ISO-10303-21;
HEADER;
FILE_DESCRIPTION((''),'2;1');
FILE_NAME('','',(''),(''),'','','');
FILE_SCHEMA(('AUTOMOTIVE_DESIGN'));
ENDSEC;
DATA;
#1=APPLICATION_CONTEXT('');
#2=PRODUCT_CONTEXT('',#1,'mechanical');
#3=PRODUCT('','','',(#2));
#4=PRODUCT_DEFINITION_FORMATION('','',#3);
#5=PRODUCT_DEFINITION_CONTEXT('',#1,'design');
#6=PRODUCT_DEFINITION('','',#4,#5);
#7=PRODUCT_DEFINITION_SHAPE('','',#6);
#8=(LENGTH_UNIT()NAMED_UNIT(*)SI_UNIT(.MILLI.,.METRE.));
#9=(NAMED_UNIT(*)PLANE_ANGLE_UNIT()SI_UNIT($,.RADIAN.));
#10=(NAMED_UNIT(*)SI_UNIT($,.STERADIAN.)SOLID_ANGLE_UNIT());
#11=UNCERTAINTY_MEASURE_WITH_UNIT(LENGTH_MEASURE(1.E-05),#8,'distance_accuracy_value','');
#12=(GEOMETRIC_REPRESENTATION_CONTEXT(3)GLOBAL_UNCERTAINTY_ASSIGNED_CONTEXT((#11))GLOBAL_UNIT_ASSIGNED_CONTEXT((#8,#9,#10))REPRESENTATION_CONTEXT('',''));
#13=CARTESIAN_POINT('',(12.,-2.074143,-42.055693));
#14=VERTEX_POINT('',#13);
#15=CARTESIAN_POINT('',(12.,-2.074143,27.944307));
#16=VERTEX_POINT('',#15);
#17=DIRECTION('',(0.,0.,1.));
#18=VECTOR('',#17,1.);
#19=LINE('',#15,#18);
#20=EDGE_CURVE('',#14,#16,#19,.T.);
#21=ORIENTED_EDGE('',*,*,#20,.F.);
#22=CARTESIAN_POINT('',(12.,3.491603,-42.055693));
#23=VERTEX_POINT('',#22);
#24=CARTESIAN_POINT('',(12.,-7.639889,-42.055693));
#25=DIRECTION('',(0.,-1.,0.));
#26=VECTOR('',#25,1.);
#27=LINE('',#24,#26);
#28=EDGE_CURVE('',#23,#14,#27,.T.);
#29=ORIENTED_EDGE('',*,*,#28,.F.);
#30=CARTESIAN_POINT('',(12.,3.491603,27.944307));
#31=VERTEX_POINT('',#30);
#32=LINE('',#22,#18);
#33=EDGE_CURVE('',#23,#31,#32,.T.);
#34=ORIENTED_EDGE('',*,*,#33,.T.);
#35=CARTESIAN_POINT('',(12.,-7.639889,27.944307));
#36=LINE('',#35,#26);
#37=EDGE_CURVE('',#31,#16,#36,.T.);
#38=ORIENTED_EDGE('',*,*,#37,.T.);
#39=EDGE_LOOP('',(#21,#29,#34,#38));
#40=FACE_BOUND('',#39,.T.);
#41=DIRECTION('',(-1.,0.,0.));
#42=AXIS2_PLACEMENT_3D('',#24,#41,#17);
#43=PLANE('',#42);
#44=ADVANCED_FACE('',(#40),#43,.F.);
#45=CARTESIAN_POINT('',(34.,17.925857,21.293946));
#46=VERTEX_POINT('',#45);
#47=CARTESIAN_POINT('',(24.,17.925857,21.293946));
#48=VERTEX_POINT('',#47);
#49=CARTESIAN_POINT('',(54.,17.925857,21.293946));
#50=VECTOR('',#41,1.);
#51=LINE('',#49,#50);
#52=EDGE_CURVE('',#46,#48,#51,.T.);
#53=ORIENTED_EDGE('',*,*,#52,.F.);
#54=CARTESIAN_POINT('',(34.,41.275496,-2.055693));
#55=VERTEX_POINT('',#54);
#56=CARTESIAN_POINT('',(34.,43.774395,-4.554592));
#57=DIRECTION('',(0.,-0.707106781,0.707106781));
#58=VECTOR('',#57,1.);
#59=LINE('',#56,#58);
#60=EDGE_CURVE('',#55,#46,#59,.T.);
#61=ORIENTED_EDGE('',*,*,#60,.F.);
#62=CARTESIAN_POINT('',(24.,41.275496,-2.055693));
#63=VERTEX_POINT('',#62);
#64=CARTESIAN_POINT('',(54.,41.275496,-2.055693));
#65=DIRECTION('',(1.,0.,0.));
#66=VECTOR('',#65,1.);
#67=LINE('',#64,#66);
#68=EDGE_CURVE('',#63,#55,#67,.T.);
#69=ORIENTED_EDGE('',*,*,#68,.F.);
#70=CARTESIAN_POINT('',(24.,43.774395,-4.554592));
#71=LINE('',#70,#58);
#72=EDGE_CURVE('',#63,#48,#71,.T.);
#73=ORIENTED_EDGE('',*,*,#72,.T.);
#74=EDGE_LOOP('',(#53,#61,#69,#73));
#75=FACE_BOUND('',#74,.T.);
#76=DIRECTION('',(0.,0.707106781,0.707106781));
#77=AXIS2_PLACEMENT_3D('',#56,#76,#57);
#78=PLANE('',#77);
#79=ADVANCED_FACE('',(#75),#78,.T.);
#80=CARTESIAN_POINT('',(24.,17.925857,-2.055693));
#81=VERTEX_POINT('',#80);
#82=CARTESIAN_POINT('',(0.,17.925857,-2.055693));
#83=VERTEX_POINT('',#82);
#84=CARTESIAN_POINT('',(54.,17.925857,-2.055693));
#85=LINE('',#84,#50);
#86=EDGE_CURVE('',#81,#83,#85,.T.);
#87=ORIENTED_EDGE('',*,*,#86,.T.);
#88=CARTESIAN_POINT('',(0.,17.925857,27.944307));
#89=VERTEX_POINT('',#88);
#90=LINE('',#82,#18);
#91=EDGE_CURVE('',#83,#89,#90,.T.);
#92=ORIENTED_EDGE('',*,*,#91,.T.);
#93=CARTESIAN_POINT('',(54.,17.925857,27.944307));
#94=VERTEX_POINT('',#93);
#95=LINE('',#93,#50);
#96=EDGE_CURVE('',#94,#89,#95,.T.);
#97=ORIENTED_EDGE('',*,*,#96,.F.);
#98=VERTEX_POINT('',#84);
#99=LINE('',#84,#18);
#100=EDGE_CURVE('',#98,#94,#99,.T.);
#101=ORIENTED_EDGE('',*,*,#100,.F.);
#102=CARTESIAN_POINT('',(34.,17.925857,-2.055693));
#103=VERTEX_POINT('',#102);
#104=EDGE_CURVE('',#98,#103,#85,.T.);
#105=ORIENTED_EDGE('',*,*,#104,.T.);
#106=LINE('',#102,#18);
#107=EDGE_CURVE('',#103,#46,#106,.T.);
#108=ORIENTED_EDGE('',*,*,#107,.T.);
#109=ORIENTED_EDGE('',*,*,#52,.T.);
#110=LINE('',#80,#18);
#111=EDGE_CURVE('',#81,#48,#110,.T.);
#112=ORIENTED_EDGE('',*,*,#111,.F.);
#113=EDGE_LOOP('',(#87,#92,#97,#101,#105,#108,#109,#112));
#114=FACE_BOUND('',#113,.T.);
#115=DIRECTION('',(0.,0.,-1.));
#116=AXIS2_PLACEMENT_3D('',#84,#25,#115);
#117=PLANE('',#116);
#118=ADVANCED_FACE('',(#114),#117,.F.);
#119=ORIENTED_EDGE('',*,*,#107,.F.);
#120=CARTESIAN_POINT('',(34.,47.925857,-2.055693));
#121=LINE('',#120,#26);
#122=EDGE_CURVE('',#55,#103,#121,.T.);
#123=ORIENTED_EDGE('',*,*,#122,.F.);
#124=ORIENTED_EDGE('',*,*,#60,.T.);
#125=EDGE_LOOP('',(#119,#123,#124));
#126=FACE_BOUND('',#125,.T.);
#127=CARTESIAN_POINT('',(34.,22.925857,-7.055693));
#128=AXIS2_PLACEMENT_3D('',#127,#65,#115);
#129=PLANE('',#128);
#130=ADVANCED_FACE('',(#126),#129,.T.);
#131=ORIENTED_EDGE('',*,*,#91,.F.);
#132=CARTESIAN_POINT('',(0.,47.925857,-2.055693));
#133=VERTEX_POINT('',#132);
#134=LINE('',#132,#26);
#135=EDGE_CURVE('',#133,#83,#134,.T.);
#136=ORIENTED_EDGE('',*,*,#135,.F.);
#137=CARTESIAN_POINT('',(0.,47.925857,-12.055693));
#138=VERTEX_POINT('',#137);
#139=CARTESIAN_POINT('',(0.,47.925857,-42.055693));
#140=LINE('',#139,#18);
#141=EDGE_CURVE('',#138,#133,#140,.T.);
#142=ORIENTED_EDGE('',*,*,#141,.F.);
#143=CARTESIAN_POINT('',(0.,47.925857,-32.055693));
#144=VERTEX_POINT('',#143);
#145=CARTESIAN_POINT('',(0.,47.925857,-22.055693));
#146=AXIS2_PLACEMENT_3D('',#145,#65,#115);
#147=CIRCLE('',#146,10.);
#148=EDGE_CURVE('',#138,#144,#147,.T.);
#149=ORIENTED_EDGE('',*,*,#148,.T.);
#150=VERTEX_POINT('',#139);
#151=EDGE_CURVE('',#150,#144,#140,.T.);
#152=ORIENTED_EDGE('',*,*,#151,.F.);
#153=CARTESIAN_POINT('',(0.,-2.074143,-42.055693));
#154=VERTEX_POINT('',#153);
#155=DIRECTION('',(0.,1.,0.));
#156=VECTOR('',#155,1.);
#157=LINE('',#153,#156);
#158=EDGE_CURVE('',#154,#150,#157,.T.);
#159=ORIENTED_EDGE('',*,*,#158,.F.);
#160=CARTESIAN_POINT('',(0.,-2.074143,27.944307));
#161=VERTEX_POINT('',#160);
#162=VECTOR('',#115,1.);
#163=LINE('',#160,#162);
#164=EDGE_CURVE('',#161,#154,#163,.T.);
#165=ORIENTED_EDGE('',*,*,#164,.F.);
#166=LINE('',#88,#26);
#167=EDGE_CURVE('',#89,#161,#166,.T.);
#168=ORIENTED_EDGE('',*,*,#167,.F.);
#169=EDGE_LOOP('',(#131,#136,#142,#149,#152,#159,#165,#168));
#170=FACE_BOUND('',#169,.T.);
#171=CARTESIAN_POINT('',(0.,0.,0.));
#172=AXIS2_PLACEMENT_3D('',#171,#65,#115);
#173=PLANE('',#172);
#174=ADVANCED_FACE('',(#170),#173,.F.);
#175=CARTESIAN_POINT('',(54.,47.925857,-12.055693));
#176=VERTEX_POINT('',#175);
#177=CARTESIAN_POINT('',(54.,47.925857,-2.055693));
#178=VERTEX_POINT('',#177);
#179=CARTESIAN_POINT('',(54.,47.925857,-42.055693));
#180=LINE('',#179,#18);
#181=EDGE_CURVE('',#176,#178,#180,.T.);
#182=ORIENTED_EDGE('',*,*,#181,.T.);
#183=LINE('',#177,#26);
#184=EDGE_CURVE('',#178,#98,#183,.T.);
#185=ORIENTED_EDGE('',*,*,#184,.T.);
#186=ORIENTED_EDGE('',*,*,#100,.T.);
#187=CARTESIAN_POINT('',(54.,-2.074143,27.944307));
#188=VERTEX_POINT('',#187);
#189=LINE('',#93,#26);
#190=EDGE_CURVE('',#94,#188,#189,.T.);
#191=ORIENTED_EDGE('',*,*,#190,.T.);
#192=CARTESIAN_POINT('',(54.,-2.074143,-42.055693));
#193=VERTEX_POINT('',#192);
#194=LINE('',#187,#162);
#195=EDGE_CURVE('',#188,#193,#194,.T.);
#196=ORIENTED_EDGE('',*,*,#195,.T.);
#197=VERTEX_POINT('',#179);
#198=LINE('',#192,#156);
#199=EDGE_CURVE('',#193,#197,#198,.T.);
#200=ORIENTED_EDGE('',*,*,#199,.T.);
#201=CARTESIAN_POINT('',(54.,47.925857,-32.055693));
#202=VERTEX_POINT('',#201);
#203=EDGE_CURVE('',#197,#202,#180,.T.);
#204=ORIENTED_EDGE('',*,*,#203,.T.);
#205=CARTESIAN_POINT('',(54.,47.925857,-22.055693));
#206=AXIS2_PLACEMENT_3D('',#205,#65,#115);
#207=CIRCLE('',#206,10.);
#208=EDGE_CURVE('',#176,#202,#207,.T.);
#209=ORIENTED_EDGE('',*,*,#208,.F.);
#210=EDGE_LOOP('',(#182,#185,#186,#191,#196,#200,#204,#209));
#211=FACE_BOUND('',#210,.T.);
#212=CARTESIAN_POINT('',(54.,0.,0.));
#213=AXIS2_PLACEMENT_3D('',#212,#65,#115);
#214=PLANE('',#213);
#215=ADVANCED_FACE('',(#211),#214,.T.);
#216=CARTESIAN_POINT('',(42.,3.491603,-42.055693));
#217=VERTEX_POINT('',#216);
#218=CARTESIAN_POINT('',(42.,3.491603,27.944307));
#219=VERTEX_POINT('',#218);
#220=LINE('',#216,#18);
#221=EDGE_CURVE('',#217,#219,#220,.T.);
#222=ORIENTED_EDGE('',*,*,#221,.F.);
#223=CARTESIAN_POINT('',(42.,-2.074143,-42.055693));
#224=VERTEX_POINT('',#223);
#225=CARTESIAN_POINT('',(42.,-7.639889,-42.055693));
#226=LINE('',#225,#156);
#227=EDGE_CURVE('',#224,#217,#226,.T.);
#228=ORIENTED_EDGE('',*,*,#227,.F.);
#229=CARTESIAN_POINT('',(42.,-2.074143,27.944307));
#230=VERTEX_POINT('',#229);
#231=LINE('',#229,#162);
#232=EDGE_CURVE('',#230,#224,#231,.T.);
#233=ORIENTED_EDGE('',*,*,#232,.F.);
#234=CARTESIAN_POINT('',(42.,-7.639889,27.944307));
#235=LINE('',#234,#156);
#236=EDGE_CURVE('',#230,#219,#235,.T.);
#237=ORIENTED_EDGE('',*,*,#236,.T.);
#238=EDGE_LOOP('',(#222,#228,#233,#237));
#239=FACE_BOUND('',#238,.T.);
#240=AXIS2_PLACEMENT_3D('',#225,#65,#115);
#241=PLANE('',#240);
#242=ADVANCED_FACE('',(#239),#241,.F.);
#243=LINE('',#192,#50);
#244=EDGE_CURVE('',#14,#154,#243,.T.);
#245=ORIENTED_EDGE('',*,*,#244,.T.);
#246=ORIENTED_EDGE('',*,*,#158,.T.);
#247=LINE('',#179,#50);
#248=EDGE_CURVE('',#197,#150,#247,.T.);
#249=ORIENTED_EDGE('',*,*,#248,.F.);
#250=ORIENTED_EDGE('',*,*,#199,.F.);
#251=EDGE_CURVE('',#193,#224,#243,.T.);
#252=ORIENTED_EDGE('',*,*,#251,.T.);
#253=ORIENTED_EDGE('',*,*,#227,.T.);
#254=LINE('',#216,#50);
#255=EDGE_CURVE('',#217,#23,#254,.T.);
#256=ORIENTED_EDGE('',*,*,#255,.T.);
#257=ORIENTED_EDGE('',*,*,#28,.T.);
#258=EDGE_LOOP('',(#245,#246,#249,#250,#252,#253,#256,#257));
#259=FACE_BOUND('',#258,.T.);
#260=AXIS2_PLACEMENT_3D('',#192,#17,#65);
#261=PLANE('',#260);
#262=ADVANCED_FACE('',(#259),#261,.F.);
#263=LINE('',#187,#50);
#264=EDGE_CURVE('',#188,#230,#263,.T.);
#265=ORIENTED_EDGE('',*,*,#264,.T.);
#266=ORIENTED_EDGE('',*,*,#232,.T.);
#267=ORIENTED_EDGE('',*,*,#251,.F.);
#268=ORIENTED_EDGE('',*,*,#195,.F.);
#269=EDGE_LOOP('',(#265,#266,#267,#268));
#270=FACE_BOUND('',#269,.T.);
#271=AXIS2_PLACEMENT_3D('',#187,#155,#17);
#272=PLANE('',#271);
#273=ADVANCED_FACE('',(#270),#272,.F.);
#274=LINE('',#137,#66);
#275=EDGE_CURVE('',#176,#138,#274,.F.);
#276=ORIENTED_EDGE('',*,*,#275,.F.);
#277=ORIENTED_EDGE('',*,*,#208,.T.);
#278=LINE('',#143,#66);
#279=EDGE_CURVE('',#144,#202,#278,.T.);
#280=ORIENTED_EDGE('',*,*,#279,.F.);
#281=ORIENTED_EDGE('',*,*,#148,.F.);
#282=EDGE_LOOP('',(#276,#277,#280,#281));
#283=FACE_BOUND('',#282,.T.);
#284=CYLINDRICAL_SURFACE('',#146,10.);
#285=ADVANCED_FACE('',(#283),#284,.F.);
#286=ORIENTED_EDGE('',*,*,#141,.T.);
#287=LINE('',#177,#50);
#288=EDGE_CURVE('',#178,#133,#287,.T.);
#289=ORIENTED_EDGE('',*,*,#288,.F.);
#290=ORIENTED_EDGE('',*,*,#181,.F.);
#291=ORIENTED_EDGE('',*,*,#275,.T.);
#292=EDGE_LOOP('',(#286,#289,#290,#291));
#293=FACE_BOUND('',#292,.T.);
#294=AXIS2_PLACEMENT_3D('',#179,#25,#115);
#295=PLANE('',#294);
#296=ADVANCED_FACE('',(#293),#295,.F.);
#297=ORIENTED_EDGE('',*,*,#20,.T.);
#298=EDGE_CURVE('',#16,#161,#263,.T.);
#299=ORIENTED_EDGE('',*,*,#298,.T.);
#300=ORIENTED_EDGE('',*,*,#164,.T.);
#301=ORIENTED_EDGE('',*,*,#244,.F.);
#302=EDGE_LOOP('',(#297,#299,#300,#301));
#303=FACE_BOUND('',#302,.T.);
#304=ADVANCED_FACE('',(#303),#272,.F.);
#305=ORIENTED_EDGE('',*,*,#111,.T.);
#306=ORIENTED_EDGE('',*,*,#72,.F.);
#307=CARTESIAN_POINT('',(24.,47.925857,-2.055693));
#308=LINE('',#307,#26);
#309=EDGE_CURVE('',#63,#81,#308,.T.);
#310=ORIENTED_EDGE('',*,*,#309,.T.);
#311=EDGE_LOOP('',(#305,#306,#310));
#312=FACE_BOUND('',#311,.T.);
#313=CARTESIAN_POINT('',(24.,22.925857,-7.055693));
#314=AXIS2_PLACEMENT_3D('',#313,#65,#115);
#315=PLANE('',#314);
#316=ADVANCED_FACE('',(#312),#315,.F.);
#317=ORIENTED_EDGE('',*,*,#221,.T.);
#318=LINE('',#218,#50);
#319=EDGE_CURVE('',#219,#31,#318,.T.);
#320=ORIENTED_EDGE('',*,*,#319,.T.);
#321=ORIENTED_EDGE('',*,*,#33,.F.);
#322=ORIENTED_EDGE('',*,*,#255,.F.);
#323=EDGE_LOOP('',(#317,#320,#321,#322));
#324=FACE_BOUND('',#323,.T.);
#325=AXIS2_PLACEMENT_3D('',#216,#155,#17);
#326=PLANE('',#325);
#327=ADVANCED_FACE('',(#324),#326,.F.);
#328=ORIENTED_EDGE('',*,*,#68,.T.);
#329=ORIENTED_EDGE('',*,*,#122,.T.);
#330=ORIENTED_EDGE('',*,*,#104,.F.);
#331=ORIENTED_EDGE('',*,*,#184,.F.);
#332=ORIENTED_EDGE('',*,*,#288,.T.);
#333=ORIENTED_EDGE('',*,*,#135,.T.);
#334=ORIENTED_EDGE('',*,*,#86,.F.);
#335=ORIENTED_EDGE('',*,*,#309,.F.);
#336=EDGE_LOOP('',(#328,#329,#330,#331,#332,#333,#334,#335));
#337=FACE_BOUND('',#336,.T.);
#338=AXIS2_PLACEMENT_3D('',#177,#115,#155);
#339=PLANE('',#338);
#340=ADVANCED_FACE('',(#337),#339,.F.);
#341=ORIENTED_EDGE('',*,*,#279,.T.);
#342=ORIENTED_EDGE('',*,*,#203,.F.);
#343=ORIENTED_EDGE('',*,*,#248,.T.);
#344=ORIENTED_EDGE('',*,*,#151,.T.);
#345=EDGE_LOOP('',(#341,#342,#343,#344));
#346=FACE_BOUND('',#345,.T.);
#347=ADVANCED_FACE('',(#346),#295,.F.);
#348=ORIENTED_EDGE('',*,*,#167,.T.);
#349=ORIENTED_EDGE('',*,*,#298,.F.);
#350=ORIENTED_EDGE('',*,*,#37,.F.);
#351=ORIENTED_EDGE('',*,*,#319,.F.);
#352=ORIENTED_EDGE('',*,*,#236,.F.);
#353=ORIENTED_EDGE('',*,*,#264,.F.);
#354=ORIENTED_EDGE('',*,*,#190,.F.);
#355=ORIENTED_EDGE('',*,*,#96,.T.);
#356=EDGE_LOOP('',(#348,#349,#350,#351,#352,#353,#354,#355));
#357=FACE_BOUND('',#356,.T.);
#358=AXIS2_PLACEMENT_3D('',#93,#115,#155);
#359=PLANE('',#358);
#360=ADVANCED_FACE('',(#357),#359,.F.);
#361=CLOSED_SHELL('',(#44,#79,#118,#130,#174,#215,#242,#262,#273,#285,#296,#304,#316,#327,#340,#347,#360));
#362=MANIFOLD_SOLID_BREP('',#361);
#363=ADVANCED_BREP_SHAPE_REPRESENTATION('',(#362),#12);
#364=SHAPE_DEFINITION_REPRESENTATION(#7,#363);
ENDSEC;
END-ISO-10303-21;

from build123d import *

# Parameters (mm, degrees)
BOSS_EXTRUDE1_DEPTH = 54
SKETCH2_R           = 10
CUT_EXTRUDE1_DEPTH  = 84.555784218
RIB4_REACH          = 74.26
SKETCH5_WALL_W      = 188.871183906
SKETCH5_WALL_H      = 10
SKETCH6_W           = 30
SKETCH6_H           = 11.131491479
CUT_EXTRUDE2_DEPTH  = 101.562854881


with BuildPart() as part:
    # Sketch1 → Boss-Extrude1 (new body)
    with BuildSketch(Plane(origin=(0, 0, 0), x_dir=(0, 0, -1), z_dir=(1, 0, 0))):
        Polygon((42.055692771, 47.925857131), (2.055692771, 47.925857131), (2.055692771, 17.925857131), (-27.944307229, 17.925857131), (-27.944307229, -2.074142869), (42.055692771, -2.074142869), align=None)
    extrude(amount=BOSS_EXTRUDE1_DEPTH)

    # Sketch2 → Cut-Extrude1 (cut, through all)
    with BuildSketch(Plane(origin=(54, 0, 0), x_dir=(0, 0, -1), z_dir=(1, 0, 0))):
        with Locations((22.055692771, 47.925857131)):
            Circle(SKETCH2_R)
    extrude(amount=-CUT_EXTRUDE1_DEPTH, mode=Mode.SUBTRACT)

    # Sketch5 wall → Rib4 (add, up to next)
    with BuildSketch(Plane(origin=(34, 28.80129121, 10.41851211), x_dir=(0, -0.707106781187, 0.707106781187), z_dir=(0, -0.707106781187, -0.707106781187)), mode=Mode.PRIVATE) as rib4_sk1:
        with Locations((0, 5)):
            Rectangle(SKETCH5_WALL_W, SKETCH5_WALL_H)
    rib4_tool1 = extrude(rib4_sk1.sketch, amount=RIB4_REACH, mode=Mode.PRIVATE) - part.part
    add(rib4_tool1.solids().sort_by_distance((34, 28.80129121, 10.41851211))[0])

    # Sketch6 → Cut-Extrude2 (cut, through all)
    with BuildSketch(Plane.XY.offset(27.944307229)):
        with Locations((27, -2.074142869)):
            Rectangle(SKETCH6_W, SKETCH6_H)
    extrude(amount=-CUT_EXTRUDE2_DEPTH, mode=Mode.SUBTRACT)


solid = part.part
